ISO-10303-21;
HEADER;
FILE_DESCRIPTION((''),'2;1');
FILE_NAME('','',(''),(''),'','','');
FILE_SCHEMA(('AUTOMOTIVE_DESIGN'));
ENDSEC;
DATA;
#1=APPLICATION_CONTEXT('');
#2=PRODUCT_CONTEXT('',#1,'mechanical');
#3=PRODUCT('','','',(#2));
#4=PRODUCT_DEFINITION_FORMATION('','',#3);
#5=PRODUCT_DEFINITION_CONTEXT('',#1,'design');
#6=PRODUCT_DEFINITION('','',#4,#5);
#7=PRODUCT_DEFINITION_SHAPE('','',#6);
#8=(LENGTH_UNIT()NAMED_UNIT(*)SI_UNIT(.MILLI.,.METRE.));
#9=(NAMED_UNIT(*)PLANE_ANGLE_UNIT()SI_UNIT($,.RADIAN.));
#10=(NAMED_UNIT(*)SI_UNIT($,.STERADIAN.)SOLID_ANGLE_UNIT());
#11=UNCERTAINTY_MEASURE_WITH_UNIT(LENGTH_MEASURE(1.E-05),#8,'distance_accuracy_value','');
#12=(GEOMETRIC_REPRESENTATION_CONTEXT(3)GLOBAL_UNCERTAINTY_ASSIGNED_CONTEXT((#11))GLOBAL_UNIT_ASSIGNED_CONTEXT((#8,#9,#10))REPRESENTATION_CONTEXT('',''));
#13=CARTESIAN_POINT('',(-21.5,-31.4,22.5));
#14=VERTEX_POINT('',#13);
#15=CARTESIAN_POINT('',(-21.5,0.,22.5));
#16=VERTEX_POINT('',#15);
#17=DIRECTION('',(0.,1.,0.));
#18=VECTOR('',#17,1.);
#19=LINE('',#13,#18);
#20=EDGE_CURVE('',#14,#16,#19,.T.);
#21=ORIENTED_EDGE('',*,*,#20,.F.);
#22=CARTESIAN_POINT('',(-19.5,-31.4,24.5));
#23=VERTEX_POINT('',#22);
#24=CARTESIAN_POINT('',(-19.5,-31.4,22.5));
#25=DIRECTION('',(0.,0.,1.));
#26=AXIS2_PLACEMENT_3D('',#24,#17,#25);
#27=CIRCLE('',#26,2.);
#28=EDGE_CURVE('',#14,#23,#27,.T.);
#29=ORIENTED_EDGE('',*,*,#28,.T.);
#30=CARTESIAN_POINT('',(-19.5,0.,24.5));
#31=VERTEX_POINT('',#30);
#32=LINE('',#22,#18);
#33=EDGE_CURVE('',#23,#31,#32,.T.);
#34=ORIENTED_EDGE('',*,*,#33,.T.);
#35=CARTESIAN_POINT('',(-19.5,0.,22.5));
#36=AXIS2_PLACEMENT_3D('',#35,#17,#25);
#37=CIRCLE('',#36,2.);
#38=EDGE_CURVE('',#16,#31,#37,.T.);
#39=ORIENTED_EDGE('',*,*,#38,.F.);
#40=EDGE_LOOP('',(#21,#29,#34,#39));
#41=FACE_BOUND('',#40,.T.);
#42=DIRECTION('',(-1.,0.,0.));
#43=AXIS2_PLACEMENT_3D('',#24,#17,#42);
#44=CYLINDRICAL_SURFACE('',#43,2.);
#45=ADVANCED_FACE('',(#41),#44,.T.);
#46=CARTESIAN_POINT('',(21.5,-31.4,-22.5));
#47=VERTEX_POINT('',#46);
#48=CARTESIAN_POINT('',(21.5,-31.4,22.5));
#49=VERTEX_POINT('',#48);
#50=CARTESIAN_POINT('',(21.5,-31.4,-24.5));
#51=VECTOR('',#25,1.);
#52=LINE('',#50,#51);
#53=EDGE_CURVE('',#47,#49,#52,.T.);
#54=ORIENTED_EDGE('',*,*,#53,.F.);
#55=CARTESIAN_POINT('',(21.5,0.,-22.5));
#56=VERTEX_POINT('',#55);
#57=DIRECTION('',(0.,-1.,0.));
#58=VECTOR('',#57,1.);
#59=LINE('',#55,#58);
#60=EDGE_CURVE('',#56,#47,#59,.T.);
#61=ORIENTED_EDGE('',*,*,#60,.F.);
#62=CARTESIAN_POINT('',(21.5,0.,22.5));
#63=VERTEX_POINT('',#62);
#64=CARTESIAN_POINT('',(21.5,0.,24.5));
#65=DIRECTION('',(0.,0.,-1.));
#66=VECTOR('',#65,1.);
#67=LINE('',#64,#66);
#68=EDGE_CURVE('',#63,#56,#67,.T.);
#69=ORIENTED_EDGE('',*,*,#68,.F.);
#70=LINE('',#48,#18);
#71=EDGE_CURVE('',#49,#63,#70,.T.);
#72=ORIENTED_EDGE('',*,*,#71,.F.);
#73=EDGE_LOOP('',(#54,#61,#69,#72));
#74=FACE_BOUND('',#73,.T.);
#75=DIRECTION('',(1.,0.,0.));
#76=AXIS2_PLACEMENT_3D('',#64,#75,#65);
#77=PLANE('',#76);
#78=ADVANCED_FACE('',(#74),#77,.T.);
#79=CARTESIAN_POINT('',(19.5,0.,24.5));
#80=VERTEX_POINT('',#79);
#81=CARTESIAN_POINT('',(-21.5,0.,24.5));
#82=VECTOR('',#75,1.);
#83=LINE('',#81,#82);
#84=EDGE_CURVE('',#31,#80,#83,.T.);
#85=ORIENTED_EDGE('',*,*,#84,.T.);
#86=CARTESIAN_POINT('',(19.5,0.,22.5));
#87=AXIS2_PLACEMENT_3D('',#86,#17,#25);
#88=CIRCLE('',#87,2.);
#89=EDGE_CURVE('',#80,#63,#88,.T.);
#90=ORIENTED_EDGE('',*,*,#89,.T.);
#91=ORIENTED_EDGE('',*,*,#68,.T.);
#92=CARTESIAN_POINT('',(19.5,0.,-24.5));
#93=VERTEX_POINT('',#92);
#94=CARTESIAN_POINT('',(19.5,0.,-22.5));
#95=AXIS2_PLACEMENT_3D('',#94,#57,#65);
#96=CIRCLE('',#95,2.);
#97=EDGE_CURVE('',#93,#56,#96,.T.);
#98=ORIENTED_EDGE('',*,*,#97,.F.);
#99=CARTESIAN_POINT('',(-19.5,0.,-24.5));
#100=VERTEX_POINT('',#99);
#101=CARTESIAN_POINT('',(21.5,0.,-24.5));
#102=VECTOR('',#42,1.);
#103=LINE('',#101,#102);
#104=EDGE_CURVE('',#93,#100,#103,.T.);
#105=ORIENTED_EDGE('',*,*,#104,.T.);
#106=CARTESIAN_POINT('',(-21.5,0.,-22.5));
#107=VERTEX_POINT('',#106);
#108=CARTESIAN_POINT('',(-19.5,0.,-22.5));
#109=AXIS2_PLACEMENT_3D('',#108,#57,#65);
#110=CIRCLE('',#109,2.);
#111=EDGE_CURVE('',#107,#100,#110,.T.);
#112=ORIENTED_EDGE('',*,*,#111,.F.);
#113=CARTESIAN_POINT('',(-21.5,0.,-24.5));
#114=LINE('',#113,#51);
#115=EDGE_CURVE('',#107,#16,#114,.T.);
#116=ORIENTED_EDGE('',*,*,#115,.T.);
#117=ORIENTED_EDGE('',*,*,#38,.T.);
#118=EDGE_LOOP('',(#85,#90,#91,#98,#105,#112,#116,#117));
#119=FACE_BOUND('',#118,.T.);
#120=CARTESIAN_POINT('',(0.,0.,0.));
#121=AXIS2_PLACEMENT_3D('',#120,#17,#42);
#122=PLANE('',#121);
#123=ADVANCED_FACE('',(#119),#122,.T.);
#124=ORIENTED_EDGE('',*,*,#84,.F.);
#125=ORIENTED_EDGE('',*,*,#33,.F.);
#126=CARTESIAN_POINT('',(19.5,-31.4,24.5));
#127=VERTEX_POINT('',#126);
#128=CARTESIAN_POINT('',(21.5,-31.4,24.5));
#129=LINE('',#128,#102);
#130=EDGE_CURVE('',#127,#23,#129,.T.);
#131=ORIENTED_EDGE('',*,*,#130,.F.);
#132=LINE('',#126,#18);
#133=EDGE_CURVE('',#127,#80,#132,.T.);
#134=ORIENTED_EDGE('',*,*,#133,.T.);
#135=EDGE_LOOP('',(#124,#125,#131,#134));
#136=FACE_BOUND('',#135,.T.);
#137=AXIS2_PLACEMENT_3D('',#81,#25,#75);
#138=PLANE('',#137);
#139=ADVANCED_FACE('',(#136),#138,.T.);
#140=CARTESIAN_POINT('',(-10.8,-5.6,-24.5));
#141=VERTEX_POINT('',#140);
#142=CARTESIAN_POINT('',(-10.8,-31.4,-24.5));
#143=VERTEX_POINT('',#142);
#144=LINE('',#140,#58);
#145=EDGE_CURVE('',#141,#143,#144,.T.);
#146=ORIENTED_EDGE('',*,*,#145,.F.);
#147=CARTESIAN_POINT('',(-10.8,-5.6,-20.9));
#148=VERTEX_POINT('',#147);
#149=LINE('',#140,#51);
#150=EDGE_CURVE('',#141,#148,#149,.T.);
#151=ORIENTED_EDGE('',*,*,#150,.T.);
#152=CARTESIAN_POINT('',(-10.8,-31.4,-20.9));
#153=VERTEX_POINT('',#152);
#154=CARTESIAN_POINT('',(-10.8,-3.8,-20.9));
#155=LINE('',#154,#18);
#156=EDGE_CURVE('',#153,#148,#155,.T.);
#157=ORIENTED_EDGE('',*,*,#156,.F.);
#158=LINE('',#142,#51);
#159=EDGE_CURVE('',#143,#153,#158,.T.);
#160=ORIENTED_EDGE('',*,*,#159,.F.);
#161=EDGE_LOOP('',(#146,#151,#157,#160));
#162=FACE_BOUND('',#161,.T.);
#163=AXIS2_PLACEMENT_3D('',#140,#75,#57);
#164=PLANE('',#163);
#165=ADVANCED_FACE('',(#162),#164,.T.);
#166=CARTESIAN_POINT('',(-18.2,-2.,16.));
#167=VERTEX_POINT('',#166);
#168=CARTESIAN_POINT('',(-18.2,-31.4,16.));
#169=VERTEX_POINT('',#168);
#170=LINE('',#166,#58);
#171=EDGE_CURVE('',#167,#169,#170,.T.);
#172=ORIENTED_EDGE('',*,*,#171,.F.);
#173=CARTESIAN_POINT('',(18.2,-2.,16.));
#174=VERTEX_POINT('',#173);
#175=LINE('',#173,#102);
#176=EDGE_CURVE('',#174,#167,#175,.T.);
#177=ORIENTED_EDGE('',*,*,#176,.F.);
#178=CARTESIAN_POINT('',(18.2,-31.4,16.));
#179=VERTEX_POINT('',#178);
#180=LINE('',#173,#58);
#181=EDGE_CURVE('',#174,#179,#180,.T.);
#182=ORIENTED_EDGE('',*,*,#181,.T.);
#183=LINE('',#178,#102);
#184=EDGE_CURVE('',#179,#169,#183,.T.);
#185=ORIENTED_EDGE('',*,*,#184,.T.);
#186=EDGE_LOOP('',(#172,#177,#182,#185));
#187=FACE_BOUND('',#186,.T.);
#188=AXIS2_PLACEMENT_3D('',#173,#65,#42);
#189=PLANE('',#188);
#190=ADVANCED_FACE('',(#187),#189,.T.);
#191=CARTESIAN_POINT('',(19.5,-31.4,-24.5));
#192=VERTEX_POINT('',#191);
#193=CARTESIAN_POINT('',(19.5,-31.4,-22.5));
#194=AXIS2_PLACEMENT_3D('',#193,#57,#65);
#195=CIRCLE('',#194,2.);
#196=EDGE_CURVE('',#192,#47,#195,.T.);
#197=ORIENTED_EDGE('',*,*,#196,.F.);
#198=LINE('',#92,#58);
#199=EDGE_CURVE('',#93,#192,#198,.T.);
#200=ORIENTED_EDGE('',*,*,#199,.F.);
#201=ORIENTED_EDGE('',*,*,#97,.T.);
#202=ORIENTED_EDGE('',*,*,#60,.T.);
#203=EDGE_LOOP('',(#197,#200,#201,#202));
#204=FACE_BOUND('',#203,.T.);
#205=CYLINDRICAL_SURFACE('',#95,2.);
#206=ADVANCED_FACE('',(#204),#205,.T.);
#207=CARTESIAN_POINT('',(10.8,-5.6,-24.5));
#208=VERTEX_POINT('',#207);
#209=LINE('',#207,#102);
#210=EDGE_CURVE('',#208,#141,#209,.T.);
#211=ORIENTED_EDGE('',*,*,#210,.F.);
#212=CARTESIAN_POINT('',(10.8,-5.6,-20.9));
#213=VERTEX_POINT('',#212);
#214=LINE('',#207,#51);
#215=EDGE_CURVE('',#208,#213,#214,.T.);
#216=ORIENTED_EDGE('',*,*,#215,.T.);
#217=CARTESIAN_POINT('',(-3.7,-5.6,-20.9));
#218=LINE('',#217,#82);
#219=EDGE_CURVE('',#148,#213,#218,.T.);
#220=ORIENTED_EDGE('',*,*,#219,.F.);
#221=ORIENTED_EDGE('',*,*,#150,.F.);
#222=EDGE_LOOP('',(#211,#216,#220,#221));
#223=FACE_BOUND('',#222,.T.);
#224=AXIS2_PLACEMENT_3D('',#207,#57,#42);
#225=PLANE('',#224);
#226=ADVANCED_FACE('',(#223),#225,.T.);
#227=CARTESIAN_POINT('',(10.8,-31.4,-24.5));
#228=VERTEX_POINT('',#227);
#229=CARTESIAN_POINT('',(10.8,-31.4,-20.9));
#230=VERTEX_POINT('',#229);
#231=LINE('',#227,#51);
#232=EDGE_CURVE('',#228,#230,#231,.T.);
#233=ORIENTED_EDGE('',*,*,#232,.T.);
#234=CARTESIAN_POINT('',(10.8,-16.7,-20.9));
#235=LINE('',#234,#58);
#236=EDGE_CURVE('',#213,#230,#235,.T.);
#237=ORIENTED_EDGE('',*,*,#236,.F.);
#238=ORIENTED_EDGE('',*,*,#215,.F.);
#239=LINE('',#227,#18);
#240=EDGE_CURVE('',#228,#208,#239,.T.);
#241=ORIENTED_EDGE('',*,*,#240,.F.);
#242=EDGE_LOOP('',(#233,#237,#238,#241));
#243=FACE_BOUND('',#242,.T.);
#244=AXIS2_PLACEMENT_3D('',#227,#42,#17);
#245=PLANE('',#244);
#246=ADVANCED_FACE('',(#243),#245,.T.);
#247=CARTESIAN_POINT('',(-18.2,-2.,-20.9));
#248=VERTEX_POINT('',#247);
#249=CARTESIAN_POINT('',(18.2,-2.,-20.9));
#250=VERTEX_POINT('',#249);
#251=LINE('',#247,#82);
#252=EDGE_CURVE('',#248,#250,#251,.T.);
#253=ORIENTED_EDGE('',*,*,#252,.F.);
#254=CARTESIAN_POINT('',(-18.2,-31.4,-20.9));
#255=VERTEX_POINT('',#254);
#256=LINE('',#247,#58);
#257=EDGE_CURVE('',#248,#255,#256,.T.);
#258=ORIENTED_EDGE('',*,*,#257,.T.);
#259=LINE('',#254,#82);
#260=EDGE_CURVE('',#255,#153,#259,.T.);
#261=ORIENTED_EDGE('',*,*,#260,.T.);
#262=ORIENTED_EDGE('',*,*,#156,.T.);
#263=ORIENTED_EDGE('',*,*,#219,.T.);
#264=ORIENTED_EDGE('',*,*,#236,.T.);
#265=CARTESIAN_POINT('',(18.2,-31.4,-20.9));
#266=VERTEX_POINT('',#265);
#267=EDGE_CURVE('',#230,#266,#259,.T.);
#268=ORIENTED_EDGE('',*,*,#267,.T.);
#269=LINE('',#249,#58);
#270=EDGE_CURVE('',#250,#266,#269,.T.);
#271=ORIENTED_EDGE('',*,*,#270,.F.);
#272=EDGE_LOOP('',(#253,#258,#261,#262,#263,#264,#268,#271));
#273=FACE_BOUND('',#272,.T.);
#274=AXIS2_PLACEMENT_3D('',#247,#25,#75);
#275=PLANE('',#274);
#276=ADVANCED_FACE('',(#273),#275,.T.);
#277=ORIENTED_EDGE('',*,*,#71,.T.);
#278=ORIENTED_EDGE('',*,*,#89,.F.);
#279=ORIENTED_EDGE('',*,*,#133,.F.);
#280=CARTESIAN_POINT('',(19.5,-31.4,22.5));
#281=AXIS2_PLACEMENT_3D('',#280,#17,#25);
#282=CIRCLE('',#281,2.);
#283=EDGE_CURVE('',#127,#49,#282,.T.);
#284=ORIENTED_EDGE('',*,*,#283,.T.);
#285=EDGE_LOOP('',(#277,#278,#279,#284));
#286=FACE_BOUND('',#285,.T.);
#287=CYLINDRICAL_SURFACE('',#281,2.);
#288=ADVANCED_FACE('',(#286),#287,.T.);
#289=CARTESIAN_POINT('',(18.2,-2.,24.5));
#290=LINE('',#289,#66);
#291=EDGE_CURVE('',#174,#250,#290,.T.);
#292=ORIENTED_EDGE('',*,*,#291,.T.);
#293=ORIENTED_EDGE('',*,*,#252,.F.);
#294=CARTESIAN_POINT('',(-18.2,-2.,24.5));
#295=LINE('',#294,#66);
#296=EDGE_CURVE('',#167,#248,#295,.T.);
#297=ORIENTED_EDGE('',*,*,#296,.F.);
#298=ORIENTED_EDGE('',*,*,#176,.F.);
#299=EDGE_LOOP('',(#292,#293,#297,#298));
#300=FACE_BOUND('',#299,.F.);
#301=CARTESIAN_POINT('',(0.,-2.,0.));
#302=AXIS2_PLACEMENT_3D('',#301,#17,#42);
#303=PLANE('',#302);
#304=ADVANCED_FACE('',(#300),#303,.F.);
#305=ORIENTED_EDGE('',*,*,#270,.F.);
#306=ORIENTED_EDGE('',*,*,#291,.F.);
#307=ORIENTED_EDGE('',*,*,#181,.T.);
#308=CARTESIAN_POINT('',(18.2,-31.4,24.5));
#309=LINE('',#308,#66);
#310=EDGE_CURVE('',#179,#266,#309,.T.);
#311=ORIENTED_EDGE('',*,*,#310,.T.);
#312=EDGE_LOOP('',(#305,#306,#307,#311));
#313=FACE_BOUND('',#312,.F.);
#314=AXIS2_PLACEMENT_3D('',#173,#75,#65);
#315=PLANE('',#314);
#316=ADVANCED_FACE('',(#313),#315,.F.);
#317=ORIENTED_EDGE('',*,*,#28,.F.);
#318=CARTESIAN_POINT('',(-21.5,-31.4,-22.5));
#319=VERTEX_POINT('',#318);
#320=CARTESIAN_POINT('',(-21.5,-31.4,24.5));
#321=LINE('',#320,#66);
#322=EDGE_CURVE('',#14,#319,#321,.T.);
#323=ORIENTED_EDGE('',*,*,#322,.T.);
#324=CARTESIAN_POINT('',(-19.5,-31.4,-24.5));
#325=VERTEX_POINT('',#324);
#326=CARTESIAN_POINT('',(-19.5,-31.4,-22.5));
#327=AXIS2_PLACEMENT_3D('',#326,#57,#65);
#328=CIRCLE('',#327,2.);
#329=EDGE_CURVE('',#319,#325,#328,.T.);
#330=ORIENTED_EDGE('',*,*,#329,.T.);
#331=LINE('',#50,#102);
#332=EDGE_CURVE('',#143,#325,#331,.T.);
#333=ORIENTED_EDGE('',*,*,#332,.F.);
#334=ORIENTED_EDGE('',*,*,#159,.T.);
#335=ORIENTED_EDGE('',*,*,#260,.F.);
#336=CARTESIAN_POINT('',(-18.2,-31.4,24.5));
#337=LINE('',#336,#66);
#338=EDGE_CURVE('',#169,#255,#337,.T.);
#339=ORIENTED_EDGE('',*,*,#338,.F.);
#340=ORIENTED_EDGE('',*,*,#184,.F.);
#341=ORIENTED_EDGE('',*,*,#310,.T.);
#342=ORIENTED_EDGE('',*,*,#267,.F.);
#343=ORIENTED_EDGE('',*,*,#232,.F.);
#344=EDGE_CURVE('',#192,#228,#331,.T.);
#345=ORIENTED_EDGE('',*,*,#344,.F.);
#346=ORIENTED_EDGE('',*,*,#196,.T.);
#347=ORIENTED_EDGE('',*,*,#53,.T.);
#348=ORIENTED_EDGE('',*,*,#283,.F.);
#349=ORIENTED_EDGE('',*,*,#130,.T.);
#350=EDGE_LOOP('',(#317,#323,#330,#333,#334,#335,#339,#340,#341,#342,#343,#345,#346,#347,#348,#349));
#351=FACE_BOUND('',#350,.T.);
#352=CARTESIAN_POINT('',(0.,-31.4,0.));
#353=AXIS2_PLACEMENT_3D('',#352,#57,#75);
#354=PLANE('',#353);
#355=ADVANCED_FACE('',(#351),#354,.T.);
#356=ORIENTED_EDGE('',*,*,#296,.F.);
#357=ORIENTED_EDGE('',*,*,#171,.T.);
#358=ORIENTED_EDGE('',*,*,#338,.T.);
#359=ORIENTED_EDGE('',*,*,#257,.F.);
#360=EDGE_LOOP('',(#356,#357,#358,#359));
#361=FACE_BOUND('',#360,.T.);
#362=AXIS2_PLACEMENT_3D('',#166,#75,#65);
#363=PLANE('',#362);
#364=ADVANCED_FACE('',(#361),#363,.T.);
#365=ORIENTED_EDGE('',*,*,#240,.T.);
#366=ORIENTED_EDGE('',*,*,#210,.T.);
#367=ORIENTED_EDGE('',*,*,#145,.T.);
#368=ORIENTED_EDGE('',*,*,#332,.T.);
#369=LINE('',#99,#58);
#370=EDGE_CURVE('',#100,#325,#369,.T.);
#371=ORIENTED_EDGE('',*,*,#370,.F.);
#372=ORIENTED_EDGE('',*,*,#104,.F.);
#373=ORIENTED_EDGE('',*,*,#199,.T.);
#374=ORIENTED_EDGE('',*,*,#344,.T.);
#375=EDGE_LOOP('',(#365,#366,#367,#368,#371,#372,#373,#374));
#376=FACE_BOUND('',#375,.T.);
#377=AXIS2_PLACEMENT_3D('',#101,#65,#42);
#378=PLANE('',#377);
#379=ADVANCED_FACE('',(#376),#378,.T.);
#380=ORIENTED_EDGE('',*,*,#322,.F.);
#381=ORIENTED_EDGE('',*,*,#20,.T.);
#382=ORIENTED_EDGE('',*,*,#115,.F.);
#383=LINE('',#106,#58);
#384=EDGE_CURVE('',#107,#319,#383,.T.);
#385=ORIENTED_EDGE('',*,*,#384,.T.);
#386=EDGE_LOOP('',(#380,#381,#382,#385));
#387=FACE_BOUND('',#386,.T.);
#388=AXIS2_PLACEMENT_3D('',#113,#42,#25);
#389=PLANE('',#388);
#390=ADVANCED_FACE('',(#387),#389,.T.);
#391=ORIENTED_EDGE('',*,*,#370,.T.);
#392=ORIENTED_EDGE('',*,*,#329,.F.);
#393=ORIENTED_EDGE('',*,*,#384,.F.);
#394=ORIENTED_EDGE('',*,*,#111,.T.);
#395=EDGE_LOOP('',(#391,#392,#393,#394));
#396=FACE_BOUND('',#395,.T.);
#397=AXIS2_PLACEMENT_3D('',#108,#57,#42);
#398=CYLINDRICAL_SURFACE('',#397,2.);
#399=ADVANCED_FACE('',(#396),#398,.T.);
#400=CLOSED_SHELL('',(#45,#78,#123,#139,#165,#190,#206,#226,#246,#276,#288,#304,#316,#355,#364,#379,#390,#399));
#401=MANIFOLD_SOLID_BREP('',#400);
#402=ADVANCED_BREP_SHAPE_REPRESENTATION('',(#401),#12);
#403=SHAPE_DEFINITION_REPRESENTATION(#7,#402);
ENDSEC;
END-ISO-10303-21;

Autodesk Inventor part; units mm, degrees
ref_plane "YZ Plane" through (0, 0, 0) normal (1, 0, 0) x (0, 1, 0)
ref_plane "XZ Plane" through (0, 0, 0) normal (0, 1, 0) x (-1, 0, 0)
ref_plane "XY Plane" through (0, 0, 0) normal (0, 0, 1) x (1, 0, 0)
sketch "Sketch1" plane through (0, 0, 0) normal (0, 1, 0) x (-1, 0, 0)
  line L0 (21.5, 24.5) -> (-21.5, 24.5)
  line L1 (-21.5, 24.5) -> (-21.5, -24.5)
  line L2 (-21.5, -24.5) -> (21.5, -24.5)
  line L3 (21.5, -24.5) -> (21.5, 24.5)
  line L4 (21.5, 24.5) -> (-21.5, -24.5) construction
  line L5 (-21.5, 24.5) -> (21.5, -24.5) construction
  point P0 (0, 0)
  dimension "d0" = 43
  dimension "d1" = 49
extrude "Extrusion1" add sketch "Sketch1" against normal blind 2
sketch "Sketch2" plane through (0, -2, 0) normal (0, -1, 0) x (1, 0, 0)
  line L0 (21.5, -24.5) -> (21.5, 24.5) projected
  line L1 (21.5, 24.5) -> (-21.5, 24.5) projected
  line L2 (-21.5, 24.5) -> (-21.5, -24.5) projected
  line L3 (-21.5, -24.5) -> (21.5, -24.5) projected
  line L4 (-21.5, 24.5) -> (-18.2, 24.5)
  line L5 (-18.2, 24.5) -> (-18.2, -24.5)
  line L6 (-18.2, -24.5) -> (-21.5, -24.5)
  line L7 (-21.5, -24.5) -> (-21.5, 24.5)
  line L8 (21.5, 24.5) -> (18.2, 24.5)
  line L9 (18.2, 24.5) -> (18.2, -24.5)
  line L10 (18.2, -24.5) -> (21.5, -24.5)
  line L11 (21.5, -24.5) -> (21.5, 24.5)
  line L12 (-18.2, 24.5) -> (18.2, 24.5)
  line L13 (18.2, 24.5) -> (18.2, 16)
  line L14 (18.2, 16) -> (-18.2, 16)
  line L15 (-18.2, 16) -> (-18.2, 24.5)
  line L16 (18.2, -24.5) -> (-18.2, -24.5)
  line L17 (-18.2, -24.5) -> (-18.2, -20.9)
  line L18 (-18.2, -20.9) -> (18.2, -20.9)
  line L19 (18.2, -20.9) -> (18.2, -24.5)
  point P0 (0, 0)
  point P1 (-18.2, 16)
  point P2 (18.2, -20.9)
  dimension "d4" = 3.3
  dimension "d5" = 3.3
  dimension "d6" = 8.5
  dimension "d7" = 3.6
extrude "Extrusion2" add sketch "Sketch2" along normal blind 29.4 contours L3 L9 L1 L0 | L3 L5 L18 L9 | L9 L14 L5 L1 | L3 L2 L1 L5
sketch "Sketch3" plane through (-21.5, 0, 24.5) normal (0, 0, 1) x (1, 0, 0)
  line L0 (0, 0) -> (43, 0) projected
  line L1 (0, 0) -> (0, -31.4) projected
  line L2 (43, -31.4) -> (0, -31.4) projected
  line L3 (43, 0) -> (43, -31.4) projected
  line L4 (10.7, -31.4) -> (32.3, -31.4)
  line L5 (32.3, -31.4) -> (32.3, -5.6)
  line L6 (32.3, -5.6) -> (10.7, -5.6)
  line L7 (10.7, -5.6) -> (10.7, -31.4)
  point P0 (21.5, 0)
  point P1 (21.5, -31.4)
  dimension "d12" = 21.6
  dimension "d13" = 25.8
  dimension "d14" = 10.8
extrude "Extrusion3" cut sketch "Sketch3" along normal blind 10 from surface at -49 contours L7 L6 L5 L2
fillet "Fillet1" radius 2 4 edges at (21.5, -15.7, 24.5) (21.5, -15.7, -24.5) (-21.5, -15.7, 24.5) (-21.5, -15.7, -24.5)
equation "\"d14\" = 0.5 * d12"
properties part number "encloser_valve-solenoid" material "ABS Plastic"
